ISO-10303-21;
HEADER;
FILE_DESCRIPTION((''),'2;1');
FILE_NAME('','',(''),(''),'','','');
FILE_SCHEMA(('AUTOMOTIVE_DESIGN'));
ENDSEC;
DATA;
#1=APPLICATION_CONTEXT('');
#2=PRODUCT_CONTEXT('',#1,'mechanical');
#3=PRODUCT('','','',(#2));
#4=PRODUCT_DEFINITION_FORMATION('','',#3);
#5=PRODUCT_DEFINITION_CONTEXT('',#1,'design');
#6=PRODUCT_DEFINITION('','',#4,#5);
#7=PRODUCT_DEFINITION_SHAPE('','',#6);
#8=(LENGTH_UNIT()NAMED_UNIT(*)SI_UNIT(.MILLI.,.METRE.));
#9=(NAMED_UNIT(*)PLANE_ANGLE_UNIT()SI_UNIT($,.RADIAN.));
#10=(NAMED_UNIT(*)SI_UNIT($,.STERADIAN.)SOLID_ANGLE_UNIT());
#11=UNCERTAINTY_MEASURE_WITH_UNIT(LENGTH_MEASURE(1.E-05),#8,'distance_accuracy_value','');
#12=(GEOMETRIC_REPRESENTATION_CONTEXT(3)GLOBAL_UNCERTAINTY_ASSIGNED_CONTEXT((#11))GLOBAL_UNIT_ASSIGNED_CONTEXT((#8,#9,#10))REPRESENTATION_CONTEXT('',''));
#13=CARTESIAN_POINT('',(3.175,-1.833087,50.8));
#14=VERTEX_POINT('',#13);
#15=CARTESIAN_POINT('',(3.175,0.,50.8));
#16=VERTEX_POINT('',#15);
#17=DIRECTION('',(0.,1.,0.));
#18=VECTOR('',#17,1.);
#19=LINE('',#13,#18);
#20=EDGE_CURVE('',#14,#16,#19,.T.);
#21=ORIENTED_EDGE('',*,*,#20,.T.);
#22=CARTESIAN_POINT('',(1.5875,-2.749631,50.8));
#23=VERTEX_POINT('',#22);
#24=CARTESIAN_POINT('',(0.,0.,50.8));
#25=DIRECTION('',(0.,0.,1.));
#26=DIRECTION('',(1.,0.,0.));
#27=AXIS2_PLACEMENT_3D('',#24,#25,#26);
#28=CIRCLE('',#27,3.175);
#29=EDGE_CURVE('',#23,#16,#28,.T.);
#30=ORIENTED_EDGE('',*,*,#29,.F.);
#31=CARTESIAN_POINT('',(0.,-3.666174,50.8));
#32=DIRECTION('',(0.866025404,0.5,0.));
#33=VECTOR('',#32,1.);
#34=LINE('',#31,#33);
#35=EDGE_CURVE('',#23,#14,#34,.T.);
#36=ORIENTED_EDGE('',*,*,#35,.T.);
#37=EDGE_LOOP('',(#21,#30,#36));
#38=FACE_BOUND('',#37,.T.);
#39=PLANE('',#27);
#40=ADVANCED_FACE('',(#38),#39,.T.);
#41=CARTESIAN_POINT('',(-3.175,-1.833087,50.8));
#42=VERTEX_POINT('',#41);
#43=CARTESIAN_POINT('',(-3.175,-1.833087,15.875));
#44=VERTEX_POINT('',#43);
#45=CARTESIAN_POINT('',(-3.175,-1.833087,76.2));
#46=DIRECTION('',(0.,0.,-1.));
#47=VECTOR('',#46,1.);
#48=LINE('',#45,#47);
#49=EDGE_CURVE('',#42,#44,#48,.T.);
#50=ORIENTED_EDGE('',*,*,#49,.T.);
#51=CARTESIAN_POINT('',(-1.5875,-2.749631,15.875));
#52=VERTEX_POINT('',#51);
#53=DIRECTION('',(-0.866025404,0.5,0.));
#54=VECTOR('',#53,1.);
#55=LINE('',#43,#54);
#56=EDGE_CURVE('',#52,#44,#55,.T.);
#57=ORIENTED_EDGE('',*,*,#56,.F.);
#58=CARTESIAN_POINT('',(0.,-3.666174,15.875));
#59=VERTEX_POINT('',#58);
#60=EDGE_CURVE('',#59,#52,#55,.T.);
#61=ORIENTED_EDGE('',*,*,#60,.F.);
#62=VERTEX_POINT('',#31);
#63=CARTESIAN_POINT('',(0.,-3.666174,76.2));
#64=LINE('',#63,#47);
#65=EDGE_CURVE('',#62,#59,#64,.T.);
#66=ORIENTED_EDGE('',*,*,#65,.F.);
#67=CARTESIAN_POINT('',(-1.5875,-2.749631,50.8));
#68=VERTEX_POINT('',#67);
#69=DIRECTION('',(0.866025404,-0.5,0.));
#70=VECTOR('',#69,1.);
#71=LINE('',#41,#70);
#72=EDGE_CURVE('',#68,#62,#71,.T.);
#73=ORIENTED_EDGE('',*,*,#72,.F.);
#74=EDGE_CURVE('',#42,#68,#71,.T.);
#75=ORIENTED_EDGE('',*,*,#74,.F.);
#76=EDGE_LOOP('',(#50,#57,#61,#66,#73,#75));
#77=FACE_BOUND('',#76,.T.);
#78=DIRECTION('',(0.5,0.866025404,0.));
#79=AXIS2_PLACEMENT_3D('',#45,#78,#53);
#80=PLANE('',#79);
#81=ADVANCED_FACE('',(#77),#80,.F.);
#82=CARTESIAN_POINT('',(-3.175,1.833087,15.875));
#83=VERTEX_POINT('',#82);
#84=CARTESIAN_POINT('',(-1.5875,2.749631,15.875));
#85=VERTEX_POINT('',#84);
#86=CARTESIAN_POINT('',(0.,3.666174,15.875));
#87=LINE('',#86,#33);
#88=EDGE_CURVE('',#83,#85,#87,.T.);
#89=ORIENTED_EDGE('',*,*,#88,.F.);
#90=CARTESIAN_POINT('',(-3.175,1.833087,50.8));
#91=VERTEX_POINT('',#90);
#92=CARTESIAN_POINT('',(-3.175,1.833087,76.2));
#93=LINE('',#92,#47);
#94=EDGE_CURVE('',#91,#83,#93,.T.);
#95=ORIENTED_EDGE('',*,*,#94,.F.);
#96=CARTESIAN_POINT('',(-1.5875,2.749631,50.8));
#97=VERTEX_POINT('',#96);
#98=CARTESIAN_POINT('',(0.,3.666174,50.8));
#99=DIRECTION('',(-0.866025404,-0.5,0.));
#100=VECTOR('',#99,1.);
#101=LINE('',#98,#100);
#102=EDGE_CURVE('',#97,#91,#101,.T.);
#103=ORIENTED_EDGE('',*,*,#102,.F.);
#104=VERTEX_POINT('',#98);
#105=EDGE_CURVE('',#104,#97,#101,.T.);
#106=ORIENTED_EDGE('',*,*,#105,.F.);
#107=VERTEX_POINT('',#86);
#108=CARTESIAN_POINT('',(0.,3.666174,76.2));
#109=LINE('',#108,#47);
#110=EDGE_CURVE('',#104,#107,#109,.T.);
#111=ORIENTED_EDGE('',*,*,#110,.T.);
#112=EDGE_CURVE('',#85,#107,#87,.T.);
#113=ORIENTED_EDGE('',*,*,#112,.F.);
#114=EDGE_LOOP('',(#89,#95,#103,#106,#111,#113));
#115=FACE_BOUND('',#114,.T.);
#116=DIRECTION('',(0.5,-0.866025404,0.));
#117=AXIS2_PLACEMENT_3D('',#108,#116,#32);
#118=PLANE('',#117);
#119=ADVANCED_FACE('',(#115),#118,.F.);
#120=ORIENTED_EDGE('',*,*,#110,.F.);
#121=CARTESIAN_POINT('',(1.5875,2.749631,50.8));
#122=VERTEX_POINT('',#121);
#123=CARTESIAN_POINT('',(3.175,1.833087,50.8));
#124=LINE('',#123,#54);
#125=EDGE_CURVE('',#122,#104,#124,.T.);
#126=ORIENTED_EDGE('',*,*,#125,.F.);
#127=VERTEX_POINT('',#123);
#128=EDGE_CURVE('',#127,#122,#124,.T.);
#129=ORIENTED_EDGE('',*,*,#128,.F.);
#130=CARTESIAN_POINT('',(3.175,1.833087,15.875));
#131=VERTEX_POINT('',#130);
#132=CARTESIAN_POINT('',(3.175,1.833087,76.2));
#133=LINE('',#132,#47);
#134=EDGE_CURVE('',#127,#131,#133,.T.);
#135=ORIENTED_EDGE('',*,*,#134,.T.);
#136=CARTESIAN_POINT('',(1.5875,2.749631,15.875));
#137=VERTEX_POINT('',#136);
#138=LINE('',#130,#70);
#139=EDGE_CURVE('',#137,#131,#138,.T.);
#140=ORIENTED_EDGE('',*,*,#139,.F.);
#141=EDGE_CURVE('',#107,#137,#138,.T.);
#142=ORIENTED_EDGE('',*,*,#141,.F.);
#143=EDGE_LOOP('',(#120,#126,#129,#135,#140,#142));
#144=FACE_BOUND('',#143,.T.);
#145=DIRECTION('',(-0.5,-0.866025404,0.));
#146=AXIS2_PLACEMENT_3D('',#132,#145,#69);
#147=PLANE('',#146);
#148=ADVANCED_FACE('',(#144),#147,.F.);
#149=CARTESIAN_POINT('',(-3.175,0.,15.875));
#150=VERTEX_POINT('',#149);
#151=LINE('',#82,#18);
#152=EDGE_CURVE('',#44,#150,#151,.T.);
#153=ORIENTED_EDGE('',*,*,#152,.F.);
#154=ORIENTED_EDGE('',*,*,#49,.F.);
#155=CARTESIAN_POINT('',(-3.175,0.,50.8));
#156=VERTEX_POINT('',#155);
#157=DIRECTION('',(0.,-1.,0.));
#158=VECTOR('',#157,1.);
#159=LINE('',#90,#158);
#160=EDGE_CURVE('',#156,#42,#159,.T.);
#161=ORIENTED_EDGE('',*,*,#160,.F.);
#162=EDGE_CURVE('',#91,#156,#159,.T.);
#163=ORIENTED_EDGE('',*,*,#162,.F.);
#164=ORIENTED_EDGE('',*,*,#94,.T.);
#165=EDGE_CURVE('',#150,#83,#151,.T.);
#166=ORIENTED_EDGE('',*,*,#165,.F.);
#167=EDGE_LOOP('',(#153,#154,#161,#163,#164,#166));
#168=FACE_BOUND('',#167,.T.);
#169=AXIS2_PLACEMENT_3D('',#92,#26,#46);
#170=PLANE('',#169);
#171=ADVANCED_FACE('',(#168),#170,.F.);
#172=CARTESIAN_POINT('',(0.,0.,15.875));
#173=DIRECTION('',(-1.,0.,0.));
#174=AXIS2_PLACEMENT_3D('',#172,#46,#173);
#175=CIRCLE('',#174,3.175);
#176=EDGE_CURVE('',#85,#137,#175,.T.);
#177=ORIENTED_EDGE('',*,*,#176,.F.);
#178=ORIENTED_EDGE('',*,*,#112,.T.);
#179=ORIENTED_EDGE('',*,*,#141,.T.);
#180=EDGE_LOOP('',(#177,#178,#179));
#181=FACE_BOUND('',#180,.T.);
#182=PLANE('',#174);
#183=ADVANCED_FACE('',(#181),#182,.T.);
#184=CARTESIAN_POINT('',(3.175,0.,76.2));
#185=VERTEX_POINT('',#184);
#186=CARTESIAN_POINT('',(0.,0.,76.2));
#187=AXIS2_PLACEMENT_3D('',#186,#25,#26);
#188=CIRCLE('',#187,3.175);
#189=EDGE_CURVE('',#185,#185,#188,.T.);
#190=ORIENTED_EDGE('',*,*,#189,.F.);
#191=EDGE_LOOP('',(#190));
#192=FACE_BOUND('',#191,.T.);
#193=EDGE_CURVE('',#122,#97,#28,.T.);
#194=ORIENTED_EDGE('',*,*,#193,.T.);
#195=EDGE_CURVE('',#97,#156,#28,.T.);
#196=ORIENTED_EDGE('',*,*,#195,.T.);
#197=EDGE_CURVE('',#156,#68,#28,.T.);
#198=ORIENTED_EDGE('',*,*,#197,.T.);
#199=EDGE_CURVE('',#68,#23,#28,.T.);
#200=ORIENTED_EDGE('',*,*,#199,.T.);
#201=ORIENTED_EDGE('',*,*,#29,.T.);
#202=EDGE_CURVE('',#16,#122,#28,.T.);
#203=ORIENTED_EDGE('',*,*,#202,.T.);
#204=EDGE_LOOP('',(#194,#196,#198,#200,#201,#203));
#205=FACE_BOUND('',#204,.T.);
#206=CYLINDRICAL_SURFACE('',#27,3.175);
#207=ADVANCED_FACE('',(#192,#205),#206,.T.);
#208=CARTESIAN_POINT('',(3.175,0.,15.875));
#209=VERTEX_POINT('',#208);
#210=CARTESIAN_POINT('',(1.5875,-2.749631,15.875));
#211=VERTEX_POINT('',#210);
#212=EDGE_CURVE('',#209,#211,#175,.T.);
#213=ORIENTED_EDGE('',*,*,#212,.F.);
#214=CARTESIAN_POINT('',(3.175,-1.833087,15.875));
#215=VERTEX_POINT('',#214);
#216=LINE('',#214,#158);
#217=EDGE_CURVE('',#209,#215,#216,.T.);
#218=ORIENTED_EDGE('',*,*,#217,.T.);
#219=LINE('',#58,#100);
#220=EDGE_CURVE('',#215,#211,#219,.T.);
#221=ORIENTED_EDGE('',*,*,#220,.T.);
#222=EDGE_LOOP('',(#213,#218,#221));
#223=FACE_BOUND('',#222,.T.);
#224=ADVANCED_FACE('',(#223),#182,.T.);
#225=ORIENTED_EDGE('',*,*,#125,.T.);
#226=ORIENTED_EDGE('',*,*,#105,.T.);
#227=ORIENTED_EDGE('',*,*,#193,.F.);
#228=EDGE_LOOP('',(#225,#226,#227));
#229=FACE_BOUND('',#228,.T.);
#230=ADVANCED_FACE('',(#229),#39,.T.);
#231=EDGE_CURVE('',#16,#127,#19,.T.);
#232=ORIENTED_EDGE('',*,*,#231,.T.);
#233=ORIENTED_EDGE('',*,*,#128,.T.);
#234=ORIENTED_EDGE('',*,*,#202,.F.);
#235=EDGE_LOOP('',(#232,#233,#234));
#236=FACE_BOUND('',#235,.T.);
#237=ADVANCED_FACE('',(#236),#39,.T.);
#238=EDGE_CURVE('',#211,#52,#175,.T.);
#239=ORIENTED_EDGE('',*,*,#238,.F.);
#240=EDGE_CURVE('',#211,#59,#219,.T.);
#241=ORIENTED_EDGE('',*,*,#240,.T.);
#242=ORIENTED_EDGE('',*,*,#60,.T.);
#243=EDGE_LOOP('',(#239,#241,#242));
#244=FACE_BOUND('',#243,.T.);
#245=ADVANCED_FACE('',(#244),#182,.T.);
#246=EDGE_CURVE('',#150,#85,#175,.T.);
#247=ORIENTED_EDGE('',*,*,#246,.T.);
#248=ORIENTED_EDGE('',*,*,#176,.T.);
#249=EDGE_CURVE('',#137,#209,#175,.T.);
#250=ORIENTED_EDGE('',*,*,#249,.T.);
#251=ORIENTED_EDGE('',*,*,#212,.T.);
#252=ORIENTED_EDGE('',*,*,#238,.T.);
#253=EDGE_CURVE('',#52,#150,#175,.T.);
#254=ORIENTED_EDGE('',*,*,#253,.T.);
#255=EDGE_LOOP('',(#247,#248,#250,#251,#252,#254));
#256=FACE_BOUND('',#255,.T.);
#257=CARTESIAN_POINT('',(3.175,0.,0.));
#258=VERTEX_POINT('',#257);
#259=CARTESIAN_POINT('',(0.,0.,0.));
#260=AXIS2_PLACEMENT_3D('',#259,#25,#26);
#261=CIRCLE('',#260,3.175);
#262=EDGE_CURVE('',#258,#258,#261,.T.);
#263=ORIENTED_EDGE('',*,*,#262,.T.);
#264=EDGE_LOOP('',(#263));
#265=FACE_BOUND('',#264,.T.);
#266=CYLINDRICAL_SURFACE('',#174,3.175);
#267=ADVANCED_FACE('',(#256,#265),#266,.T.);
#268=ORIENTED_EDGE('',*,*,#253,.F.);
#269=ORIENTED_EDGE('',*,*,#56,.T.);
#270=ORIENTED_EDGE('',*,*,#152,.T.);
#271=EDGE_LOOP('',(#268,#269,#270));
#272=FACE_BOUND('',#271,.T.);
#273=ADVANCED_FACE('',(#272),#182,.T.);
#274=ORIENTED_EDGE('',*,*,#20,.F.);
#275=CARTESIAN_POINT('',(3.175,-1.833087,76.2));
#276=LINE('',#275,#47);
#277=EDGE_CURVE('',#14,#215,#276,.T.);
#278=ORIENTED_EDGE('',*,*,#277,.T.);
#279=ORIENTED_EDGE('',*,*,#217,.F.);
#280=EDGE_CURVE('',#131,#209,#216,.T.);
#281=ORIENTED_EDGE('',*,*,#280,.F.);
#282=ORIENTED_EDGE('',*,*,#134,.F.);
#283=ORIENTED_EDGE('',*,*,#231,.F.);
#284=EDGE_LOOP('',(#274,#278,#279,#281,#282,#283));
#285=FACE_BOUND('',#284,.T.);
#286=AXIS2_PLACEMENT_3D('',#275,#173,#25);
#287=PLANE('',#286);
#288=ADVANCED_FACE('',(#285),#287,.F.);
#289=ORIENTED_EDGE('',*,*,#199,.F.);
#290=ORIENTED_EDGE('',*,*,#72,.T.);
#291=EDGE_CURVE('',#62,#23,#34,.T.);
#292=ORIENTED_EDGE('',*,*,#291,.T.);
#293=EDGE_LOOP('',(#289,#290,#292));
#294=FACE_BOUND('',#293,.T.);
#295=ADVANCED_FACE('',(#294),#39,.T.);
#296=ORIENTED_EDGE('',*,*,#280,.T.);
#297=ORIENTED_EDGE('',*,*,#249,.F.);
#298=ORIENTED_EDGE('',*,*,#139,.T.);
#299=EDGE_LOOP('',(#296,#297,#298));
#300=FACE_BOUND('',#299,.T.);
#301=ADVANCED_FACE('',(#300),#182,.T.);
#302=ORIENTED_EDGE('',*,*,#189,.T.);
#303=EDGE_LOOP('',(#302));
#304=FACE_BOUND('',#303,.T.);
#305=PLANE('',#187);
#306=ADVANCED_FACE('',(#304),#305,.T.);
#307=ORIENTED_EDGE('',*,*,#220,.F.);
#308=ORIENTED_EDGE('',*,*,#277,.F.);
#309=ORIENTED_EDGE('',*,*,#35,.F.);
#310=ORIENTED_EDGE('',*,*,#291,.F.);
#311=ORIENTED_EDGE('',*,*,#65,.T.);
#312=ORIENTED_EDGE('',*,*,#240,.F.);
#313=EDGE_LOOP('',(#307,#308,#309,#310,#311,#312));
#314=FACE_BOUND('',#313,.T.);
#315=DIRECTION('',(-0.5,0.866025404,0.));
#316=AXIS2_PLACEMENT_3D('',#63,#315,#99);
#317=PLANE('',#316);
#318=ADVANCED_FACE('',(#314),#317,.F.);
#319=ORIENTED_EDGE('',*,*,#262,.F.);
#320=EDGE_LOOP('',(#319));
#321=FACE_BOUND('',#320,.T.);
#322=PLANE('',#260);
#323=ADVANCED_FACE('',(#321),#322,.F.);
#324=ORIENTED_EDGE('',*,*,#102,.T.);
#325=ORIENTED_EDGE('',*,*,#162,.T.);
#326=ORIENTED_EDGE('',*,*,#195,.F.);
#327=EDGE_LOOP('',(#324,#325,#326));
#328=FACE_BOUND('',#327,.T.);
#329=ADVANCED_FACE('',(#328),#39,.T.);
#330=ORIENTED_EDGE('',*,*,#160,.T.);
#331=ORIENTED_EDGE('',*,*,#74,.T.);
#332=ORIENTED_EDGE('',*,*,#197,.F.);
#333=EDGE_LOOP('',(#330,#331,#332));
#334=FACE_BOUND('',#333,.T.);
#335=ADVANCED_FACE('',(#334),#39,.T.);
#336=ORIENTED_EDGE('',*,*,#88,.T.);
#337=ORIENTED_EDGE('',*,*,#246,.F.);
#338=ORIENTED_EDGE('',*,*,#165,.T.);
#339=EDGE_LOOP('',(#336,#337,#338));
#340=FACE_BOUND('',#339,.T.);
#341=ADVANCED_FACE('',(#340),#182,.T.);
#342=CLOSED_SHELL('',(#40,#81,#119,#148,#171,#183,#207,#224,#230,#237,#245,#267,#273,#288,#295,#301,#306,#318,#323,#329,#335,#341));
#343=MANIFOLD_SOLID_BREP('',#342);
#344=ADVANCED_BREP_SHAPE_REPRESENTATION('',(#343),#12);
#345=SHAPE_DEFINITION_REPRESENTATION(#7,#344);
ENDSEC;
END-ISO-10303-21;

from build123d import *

# Parameters (mm, degrees)
BOSS_EXTRUDE1_DEPTH = 76.2
SKETCH3_OUTSIDE_W   = 23.712
SKETCH3_OUTSIDE_H   = 24.694
SKETCH3_OUTSIDE_R   = 3.175
CUT_EXTRUDE1_DEPTH  = 25.4
SKETCH4_OUTSIDE_W   = 23.712
SKETCH4_OUTSIDE_H   = 24.694
SKETCH4_OUTSIDE_R   = 3.175
CUT_EXTRUDE2_DEPTH  = 15.875


with BuildPart() as part:
    # Sketch2 → Boss-Extrude1 (new body)
    with BuildSketch(Plane.XY):
        Polygon((0, 3.666174209), (-3.175, 1.833087105), (-3.175, -1.833087105), (0, -3.666174209), (3.175, -1.833087105), (3.175, 1.833087105), align=None)
    extrude(amount=BOSS_EXTRUDE1_DEPTH)

    # Sketch3 outside → Cut-Extrude1 (cut)
    with BuildSketch(Plane.XY.offset(76.2)):
        Rectangle(SKETCH3_OUTSIDE_W, SKETCH3_OUTSIDE_H)
        Circle(SKETCH3_OUTSIDE_R, mode=Mode.SUBTRACT)
    extrude(amount=-CUT_EXTRUDE1_DEPTH, mode=Mode.SUBTRACT)

    # Sketch4 outside → Cut-Extrude2 (cut)
    with BuildSketch(Plane(origin=(0, 0, 0), x_dir=(-1, 0, 0), z_dir=(0, 0, -1))):
        Rectangle(SKETCH4_OUTSIDE_W, SKETCH4_OUTSIDE_H)
        Circle(SKETCH4_OUTSIDE_R, mode=Mode.SUBTRACT)
    extrude(amount=-CUT_EXTRUDE2_DEPTH, mode=Mode.SUBTRACT)


solid = part.part
